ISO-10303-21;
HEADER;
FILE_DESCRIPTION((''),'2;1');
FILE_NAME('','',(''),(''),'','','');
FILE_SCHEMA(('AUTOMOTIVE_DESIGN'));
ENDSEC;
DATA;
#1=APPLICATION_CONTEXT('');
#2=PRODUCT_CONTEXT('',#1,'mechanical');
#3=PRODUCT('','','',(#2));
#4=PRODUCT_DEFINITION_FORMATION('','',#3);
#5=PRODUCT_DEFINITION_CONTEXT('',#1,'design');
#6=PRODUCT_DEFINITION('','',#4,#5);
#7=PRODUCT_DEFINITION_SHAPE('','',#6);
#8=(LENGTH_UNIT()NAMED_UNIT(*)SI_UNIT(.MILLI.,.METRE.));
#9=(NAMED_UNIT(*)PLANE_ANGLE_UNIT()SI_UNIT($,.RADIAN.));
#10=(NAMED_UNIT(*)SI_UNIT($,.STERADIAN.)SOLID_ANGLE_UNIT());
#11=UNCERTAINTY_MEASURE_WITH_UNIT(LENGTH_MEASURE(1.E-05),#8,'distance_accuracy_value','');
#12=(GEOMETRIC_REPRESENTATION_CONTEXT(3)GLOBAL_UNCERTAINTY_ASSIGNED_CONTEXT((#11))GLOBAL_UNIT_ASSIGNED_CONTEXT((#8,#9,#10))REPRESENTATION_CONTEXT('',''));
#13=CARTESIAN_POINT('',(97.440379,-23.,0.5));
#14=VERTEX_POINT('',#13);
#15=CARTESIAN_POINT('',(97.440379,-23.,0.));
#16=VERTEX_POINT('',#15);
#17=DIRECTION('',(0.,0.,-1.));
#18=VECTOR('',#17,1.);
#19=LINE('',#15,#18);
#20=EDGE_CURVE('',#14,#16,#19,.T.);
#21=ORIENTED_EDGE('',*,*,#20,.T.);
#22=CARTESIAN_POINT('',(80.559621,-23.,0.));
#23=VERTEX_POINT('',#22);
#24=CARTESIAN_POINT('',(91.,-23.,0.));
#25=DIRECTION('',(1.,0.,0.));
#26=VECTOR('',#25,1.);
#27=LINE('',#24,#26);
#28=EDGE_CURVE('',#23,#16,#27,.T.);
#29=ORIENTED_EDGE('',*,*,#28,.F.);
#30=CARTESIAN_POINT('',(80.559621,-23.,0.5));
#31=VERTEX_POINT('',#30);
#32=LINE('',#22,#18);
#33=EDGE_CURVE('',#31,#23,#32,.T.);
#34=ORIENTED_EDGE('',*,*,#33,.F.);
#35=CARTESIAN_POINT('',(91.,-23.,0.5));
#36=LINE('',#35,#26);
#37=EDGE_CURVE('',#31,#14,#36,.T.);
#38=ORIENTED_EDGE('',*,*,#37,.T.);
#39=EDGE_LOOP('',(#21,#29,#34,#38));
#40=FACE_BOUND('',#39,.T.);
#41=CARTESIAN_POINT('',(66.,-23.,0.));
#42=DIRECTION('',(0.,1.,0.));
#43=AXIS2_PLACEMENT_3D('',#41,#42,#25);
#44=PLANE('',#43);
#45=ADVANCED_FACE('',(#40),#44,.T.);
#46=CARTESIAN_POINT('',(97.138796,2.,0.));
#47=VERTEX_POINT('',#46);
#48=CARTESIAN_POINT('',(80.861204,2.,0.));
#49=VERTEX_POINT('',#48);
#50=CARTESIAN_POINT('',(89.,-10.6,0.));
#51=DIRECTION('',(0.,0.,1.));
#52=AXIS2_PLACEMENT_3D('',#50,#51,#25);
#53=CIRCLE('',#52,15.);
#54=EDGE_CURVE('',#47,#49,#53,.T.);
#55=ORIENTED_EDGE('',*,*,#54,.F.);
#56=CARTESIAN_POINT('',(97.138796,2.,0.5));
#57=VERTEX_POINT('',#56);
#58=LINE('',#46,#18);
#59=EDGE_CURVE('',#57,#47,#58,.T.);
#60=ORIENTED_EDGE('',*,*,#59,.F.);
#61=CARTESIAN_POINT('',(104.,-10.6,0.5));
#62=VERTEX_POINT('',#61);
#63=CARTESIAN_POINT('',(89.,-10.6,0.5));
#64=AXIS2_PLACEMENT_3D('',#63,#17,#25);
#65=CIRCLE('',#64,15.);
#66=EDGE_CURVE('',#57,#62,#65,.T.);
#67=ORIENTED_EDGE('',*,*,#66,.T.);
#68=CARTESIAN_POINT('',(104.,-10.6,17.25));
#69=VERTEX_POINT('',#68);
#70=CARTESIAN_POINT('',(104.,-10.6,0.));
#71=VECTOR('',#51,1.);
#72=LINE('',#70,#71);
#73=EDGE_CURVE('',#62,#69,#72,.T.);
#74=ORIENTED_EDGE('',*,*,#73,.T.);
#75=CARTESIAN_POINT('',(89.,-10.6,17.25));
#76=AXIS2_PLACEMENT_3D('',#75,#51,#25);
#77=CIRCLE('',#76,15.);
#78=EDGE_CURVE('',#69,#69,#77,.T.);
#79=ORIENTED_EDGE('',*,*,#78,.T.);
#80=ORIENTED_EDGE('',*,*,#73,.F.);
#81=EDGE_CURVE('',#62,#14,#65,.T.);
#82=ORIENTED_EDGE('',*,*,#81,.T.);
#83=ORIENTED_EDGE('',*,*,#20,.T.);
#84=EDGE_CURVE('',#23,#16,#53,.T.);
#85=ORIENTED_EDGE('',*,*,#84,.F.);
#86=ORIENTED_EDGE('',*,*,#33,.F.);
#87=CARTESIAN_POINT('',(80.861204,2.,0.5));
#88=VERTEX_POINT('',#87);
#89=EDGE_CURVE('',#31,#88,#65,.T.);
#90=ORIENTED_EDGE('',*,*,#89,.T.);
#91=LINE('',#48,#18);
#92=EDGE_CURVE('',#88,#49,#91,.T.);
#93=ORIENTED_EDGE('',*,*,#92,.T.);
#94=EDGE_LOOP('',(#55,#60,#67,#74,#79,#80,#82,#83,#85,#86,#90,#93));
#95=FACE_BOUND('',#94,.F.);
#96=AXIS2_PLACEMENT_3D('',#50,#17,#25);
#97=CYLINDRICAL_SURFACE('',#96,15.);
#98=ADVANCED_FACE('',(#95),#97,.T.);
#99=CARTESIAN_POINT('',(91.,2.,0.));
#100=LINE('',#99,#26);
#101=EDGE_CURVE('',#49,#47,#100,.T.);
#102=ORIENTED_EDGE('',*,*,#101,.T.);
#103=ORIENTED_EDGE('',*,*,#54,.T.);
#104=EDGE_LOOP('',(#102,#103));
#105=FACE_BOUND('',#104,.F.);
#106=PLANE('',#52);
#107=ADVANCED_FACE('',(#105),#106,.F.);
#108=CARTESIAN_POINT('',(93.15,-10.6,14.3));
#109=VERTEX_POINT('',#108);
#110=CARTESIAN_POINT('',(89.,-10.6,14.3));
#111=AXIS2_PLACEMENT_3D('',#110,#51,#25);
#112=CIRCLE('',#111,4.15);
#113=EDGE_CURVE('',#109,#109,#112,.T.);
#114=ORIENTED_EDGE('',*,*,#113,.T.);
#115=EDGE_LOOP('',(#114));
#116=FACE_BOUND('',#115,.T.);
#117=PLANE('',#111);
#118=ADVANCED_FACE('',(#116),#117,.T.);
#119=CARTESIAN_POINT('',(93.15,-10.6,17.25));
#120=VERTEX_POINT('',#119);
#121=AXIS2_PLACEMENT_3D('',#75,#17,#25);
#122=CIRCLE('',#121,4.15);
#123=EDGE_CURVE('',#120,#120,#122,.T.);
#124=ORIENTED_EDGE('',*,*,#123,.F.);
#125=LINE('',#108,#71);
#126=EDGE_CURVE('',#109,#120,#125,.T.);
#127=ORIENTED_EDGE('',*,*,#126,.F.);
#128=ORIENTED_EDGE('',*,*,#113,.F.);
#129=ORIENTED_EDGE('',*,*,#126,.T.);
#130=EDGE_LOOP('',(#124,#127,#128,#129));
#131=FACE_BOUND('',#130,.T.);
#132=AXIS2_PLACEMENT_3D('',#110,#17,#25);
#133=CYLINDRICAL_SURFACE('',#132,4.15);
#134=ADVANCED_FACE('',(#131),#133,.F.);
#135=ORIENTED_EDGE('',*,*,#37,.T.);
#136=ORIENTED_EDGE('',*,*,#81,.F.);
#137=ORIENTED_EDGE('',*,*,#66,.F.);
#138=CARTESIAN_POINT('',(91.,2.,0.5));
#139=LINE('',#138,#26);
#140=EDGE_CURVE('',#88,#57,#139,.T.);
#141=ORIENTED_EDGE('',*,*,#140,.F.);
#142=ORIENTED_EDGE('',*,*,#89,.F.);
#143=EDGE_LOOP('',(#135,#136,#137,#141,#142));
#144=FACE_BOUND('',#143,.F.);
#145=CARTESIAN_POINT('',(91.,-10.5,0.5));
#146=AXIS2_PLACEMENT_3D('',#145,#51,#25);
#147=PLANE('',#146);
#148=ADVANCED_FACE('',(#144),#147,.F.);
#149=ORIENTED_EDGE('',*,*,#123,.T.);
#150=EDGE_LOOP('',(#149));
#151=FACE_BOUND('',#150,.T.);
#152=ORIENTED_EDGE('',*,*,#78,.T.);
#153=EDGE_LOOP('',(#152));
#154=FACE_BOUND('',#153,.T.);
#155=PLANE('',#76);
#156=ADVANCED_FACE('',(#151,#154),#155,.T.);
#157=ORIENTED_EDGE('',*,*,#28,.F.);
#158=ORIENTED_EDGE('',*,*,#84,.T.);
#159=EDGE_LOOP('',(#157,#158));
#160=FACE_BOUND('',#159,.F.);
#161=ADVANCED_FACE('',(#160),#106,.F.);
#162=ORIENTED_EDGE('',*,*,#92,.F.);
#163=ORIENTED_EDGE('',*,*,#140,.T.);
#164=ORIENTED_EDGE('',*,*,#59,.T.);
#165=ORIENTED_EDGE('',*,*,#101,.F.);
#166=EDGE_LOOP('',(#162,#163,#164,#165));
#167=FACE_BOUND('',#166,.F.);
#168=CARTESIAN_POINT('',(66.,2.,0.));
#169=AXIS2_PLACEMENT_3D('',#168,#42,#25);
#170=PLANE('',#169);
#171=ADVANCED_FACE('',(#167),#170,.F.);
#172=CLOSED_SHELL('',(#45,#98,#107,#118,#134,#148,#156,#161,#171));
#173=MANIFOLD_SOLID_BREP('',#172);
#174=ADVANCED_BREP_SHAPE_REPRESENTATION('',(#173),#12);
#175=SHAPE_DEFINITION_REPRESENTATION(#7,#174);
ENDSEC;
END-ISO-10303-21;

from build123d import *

# Parameters (mm, degrees)
BOX007_W                  = 50
BOX007_H                  = 25
BOX007_DEPTH              = 0.5
CYLINDER007_R             = 4.15
CYLINDER007_DEPTH         = 10
SKETCH006_R               = 15
EXTRUDE003003_DEPTH       = 17.25
CUT005013_PLACEMENT_ANGLE = 90


with BuildPart() as cube007:
    # Box007 → Box007 (new body)
    with BuildSketch(Plane(origin=(66, -23, 0), x_dir=(1, 0, 0), z_dir=(0, 0, 1))):
        with Locations((25, 12.5)):
            Rectangle(BOX007_W, BOX007_H)
    extrude(amount=BOX007_DEPTH)


with BuildPart() as iman_chico_fuerte001:
    # Cylinder007 → Cylinder007 (new body)
    with BuildSketch(Plane(origin=(89, -14.3, 10.4), x_dir=(1, 0, 0), z_dir=(0, -1, 0))):
        Circle(CYLINDER007_R)
    extrude(amount=CYLINDER007_DEPTH)


with BuildPart() as parte_pared_sin_corte_inclinado:
    # Sketch006 → Extrude003003 (new body)
    with BuildSketch(Plane.XZ):
        with Locations((89, 10.4)):
            Circle(SKETCH006_R)
    extrude(amount=EXTRUDE003003_DEPTH)

    # Cut005013: cut iman_chico_fuerte001
    add(iman_chico_fuerte001.part, mode=Mode.SUBTRACT)


with BuildPart() as parte_pared_sin_corte_inclinado_1:
    # Cut005013 placement: moved
    add(parte_pared_sin_corte_inclinado.part.moved(Location((0, -21, 0))).rotate(Axis((0, -21, 0), (-1, 0, 0)), CUT005013_PLACEMENT_ANGLE))

    # Cut005014: cut Cube007
    add(cube007.part, mode=Mode.SUBTRACT)


solid = parte_pared_sin_corte_inclinado_1.part
